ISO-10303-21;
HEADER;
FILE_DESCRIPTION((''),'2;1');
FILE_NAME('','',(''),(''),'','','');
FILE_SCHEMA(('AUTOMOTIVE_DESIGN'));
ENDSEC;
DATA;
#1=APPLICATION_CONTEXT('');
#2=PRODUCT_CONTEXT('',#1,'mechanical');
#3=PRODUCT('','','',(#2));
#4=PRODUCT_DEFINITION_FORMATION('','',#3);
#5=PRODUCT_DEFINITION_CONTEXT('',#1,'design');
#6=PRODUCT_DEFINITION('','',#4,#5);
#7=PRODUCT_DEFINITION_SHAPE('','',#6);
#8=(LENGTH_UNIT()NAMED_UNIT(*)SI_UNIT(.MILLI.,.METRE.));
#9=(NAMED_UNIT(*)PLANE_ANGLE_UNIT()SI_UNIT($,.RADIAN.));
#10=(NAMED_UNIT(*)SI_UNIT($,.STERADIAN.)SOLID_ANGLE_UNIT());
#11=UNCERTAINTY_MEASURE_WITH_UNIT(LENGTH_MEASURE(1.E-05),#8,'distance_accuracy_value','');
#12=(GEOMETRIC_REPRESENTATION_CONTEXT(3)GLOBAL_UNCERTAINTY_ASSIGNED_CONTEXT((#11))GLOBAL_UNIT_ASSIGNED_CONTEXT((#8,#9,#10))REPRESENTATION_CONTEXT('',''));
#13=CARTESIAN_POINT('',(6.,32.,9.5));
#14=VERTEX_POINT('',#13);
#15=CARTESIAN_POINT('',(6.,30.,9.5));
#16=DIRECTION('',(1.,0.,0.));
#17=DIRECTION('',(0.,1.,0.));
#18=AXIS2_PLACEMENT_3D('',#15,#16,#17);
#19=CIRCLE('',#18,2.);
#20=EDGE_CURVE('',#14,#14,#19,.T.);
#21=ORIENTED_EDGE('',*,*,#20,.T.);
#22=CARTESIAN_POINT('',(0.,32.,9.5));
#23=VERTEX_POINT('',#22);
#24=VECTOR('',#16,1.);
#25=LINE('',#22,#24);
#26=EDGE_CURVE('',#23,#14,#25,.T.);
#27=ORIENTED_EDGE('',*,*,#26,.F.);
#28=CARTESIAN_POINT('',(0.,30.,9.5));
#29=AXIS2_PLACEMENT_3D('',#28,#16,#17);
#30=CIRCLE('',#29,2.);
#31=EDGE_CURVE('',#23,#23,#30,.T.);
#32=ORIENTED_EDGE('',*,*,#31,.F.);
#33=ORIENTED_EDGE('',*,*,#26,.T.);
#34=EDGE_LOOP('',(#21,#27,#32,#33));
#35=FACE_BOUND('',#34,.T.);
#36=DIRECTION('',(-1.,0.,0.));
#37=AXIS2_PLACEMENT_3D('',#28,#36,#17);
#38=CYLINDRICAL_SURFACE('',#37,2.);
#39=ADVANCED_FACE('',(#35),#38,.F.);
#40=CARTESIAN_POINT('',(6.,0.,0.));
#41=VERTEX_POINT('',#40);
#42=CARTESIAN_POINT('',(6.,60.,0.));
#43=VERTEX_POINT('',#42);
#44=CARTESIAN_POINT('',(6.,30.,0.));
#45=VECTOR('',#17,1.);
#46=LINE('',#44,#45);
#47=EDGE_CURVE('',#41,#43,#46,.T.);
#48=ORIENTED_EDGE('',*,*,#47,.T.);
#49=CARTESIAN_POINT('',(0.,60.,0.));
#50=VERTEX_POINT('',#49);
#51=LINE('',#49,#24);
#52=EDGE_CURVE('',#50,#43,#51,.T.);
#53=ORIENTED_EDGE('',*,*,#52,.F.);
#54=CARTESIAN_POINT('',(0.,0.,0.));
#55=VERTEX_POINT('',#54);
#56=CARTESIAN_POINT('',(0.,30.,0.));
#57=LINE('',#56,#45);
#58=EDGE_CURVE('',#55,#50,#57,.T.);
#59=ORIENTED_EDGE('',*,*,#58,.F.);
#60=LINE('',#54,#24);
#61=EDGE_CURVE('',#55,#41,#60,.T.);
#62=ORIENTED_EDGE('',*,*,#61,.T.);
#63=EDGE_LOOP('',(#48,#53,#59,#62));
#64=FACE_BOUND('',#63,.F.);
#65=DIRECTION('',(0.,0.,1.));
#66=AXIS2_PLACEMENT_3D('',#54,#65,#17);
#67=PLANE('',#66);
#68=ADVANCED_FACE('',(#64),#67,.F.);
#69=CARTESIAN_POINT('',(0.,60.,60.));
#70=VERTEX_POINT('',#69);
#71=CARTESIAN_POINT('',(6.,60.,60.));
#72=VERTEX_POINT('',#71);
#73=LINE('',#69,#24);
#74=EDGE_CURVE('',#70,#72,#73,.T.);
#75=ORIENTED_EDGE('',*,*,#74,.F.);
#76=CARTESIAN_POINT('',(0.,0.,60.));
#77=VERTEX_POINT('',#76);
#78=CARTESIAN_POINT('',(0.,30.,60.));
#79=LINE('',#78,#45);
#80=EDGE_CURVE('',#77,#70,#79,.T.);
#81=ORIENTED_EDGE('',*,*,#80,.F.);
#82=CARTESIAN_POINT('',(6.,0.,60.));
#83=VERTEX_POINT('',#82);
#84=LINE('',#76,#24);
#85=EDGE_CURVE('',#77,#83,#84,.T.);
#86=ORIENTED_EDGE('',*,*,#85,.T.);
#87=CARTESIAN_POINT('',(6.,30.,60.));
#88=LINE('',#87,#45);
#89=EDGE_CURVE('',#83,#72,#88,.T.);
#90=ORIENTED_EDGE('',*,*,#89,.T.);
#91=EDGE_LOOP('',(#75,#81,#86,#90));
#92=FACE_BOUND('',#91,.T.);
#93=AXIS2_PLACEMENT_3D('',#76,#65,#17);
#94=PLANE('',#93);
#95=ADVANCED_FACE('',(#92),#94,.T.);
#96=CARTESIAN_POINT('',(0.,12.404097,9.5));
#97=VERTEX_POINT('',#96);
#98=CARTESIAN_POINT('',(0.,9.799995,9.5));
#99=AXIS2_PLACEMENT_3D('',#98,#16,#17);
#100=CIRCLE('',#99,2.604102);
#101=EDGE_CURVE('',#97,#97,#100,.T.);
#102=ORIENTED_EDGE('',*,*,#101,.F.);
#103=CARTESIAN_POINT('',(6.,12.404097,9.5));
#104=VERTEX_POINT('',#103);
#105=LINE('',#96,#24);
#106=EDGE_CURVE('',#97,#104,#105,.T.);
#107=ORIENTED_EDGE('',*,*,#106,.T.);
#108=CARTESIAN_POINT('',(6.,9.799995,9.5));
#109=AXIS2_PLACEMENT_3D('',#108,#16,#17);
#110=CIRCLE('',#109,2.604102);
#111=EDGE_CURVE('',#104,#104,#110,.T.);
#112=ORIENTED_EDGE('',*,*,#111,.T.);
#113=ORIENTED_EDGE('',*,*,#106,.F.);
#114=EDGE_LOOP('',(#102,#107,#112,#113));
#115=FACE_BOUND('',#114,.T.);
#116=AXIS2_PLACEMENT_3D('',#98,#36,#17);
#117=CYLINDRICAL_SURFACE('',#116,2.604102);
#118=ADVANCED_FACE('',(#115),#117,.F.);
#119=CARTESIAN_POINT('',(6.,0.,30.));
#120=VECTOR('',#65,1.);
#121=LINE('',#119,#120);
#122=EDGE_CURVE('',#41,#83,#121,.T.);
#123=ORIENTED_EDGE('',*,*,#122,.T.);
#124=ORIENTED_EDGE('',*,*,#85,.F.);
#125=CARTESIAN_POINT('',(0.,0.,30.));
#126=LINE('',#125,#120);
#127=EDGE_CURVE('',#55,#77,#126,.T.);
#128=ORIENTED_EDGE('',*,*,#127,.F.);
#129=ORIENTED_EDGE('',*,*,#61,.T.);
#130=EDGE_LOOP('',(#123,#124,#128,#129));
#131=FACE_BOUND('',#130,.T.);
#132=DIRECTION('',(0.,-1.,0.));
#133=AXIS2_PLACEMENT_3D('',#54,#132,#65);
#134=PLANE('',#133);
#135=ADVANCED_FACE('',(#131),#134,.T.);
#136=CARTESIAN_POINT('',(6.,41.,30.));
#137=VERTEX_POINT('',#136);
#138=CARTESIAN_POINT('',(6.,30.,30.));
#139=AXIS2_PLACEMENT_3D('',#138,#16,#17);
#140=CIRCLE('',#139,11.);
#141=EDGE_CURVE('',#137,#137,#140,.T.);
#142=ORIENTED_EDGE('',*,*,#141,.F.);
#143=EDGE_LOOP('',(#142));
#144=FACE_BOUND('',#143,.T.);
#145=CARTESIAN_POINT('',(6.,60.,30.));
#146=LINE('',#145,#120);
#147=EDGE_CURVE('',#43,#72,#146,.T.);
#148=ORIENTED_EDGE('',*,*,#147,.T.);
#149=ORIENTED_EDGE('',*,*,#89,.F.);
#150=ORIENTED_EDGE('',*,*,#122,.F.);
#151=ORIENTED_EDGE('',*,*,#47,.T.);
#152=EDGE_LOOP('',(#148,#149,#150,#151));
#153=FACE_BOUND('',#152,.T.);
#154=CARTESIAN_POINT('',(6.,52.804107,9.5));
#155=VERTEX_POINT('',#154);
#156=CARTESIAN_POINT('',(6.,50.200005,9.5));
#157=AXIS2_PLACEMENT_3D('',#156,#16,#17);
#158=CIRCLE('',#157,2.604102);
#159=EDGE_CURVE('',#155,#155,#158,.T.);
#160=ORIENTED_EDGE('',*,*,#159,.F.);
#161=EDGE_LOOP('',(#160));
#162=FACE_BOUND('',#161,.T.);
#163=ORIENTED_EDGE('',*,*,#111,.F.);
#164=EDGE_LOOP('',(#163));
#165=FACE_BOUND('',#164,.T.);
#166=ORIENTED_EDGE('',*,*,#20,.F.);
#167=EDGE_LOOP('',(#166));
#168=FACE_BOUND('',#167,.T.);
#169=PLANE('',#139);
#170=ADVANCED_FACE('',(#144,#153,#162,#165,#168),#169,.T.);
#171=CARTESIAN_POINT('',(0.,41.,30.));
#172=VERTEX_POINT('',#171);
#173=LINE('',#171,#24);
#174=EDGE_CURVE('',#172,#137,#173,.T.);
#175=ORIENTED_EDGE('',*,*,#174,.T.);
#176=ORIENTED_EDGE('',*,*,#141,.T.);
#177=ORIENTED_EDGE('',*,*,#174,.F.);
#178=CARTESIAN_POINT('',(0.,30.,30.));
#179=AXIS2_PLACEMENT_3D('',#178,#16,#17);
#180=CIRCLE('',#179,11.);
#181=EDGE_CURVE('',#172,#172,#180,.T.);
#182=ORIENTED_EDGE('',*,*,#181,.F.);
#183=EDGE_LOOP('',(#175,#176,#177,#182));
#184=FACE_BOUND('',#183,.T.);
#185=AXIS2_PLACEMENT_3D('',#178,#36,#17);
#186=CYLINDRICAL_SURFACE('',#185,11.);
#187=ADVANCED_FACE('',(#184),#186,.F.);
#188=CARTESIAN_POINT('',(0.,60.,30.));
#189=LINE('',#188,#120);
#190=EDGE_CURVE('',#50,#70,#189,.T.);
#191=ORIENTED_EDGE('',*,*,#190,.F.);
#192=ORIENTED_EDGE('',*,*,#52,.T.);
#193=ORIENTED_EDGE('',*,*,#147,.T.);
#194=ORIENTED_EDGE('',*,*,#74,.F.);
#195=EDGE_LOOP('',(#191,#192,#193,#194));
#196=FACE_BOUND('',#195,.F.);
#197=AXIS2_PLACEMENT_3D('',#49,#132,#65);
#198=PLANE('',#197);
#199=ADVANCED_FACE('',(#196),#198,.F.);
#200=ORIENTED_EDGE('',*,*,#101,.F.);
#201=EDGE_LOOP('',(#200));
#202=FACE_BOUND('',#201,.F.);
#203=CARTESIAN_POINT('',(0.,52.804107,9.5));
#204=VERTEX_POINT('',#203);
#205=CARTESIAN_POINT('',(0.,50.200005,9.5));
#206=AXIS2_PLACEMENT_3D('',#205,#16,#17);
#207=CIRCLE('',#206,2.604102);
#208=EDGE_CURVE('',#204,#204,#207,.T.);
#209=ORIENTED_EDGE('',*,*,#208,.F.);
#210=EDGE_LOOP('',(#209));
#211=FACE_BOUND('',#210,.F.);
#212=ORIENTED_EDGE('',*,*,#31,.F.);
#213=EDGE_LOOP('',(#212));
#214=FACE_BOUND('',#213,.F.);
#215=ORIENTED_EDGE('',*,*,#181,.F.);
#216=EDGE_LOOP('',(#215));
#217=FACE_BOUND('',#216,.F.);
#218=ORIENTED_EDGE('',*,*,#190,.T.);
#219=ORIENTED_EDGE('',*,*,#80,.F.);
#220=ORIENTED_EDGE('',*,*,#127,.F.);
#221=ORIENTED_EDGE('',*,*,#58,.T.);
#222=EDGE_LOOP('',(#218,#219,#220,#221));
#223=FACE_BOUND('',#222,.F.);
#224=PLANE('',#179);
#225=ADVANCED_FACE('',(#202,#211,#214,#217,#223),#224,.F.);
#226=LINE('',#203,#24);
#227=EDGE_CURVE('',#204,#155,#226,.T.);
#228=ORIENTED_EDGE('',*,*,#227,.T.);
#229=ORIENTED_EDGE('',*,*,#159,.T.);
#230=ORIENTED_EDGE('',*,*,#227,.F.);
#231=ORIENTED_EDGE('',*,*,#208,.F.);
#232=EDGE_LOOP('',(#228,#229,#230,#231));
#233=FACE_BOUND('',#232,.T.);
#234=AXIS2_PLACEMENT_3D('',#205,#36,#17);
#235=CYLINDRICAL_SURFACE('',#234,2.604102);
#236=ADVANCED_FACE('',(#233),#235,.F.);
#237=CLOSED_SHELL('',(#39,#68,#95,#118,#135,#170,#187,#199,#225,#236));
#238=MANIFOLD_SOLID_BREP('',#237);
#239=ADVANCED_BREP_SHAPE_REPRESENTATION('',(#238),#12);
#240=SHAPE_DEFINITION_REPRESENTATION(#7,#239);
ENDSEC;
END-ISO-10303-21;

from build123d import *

# Parameters (mm, degrees)
F0_W     = 60
F0_H     = 60
F0_R     = 2.604102
F0_R_2   = 2
F0_R_3   = 11
F1_DEPTH = 6


with BuildPart() as f1:
    # F0 (on Right) → F1 (new body)
    with BuildSketch(Plane.YZ):
        with Locations((30, 30)):
            Rectangle(F0_W, F0_H)
        with Locations((9.799995, 9.5)):
            Circle(F0_R, mode=Mode.SUBTRACT)
        with Locations((30, 9.5)):
            Circle(F0_R_2, mode=Mode.SUBTRACT)
        with Locations((50.200005, 9.5)):
            Circle(F0_R, mode=Mode.SUBTRACT)
        with Locations((30, 30)):
            Circle(F0_R_3, mode=Mode.SUBTRACT)
    extrude(amount=F1_DEPTH)


solid = f1.part
